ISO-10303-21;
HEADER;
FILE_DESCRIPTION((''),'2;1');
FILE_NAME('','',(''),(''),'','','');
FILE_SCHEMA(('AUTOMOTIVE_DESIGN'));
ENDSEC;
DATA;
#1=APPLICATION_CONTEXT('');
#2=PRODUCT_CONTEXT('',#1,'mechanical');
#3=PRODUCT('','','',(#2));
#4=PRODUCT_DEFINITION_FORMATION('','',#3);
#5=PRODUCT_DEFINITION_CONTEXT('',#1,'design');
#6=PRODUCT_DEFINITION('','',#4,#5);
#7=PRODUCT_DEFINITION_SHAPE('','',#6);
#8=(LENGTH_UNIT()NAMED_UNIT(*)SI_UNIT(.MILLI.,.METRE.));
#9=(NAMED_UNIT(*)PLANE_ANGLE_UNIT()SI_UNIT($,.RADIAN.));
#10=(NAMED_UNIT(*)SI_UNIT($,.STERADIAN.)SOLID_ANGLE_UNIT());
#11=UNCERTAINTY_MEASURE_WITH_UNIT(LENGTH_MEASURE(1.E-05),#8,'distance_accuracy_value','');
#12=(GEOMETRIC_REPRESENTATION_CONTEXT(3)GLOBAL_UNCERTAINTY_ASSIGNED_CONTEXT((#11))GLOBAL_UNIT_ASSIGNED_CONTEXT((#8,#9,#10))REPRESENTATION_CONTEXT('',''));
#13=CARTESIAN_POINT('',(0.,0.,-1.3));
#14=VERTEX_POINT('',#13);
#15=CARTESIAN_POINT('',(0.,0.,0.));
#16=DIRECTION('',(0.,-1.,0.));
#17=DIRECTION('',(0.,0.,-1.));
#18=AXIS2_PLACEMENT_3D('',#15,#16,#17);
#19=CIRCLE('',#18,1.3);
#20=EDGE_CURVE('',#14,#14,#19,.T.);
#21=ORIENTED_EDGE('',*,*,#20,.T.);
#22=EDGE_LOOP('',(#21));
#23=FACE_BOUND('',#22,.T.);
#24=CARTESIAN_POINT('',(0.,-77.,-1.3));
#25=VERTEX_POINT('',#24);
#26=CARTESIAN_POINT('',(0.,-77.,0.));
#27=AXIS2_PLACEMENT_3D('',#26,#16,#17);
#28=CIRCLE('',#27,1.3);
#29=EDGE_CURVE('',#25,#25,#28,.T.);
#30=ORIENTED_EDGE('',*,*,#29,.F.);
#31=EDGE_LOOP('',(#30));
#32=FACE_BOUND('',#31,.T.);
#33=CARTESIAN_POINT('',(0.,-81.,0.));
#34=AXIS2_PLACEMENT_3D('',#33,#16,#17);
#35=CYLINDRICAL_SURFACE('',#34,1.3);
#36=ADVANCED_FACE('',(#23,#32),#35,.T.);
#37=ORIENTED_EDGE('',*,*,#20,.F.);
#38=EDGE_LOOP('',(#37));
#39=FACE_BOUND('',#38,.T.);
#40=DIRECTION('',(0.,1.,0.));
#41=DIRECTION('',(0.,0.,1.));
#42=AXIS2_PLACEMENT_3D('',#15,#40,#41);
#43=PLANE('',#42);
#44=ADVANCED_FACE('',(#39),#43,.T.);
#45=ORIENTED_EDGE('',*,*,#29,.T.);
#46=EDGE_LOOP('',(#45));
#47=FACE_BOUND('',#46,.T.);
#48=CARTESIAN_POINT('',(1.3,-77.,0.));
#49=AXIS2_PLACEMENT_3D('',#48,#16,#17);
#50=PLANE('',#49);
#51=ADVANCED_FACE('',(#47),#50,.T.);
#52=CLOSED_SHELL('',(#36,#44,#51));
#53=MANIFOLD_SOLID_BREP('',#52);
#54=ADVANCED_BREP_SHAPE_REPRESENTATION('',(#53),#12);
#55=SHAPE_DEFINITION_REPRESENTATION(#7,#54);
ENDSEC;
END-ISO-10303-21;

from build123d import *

# Parameters (mm, degrees)
SKETCH1_W = 1.3
SKETCH1_H = 77


with BuildPart() as part:
    # Sketch1 → Tendon (revolve)
    with BuildSketch(Plane.XY, mode=Mode.PRIVATE) as tendon_sk:
        with Locations((0.65, -38.5)):
            Rectangle(SKETCH1_W, SKETCH1_H)
    revolve(tendon_sk.sketch.rotate(Axis((0, -81, 0), (0, 1, 0)), 90), axis=Axis((0, -81, 0), (0, 1, 0)))


solid = part.part
